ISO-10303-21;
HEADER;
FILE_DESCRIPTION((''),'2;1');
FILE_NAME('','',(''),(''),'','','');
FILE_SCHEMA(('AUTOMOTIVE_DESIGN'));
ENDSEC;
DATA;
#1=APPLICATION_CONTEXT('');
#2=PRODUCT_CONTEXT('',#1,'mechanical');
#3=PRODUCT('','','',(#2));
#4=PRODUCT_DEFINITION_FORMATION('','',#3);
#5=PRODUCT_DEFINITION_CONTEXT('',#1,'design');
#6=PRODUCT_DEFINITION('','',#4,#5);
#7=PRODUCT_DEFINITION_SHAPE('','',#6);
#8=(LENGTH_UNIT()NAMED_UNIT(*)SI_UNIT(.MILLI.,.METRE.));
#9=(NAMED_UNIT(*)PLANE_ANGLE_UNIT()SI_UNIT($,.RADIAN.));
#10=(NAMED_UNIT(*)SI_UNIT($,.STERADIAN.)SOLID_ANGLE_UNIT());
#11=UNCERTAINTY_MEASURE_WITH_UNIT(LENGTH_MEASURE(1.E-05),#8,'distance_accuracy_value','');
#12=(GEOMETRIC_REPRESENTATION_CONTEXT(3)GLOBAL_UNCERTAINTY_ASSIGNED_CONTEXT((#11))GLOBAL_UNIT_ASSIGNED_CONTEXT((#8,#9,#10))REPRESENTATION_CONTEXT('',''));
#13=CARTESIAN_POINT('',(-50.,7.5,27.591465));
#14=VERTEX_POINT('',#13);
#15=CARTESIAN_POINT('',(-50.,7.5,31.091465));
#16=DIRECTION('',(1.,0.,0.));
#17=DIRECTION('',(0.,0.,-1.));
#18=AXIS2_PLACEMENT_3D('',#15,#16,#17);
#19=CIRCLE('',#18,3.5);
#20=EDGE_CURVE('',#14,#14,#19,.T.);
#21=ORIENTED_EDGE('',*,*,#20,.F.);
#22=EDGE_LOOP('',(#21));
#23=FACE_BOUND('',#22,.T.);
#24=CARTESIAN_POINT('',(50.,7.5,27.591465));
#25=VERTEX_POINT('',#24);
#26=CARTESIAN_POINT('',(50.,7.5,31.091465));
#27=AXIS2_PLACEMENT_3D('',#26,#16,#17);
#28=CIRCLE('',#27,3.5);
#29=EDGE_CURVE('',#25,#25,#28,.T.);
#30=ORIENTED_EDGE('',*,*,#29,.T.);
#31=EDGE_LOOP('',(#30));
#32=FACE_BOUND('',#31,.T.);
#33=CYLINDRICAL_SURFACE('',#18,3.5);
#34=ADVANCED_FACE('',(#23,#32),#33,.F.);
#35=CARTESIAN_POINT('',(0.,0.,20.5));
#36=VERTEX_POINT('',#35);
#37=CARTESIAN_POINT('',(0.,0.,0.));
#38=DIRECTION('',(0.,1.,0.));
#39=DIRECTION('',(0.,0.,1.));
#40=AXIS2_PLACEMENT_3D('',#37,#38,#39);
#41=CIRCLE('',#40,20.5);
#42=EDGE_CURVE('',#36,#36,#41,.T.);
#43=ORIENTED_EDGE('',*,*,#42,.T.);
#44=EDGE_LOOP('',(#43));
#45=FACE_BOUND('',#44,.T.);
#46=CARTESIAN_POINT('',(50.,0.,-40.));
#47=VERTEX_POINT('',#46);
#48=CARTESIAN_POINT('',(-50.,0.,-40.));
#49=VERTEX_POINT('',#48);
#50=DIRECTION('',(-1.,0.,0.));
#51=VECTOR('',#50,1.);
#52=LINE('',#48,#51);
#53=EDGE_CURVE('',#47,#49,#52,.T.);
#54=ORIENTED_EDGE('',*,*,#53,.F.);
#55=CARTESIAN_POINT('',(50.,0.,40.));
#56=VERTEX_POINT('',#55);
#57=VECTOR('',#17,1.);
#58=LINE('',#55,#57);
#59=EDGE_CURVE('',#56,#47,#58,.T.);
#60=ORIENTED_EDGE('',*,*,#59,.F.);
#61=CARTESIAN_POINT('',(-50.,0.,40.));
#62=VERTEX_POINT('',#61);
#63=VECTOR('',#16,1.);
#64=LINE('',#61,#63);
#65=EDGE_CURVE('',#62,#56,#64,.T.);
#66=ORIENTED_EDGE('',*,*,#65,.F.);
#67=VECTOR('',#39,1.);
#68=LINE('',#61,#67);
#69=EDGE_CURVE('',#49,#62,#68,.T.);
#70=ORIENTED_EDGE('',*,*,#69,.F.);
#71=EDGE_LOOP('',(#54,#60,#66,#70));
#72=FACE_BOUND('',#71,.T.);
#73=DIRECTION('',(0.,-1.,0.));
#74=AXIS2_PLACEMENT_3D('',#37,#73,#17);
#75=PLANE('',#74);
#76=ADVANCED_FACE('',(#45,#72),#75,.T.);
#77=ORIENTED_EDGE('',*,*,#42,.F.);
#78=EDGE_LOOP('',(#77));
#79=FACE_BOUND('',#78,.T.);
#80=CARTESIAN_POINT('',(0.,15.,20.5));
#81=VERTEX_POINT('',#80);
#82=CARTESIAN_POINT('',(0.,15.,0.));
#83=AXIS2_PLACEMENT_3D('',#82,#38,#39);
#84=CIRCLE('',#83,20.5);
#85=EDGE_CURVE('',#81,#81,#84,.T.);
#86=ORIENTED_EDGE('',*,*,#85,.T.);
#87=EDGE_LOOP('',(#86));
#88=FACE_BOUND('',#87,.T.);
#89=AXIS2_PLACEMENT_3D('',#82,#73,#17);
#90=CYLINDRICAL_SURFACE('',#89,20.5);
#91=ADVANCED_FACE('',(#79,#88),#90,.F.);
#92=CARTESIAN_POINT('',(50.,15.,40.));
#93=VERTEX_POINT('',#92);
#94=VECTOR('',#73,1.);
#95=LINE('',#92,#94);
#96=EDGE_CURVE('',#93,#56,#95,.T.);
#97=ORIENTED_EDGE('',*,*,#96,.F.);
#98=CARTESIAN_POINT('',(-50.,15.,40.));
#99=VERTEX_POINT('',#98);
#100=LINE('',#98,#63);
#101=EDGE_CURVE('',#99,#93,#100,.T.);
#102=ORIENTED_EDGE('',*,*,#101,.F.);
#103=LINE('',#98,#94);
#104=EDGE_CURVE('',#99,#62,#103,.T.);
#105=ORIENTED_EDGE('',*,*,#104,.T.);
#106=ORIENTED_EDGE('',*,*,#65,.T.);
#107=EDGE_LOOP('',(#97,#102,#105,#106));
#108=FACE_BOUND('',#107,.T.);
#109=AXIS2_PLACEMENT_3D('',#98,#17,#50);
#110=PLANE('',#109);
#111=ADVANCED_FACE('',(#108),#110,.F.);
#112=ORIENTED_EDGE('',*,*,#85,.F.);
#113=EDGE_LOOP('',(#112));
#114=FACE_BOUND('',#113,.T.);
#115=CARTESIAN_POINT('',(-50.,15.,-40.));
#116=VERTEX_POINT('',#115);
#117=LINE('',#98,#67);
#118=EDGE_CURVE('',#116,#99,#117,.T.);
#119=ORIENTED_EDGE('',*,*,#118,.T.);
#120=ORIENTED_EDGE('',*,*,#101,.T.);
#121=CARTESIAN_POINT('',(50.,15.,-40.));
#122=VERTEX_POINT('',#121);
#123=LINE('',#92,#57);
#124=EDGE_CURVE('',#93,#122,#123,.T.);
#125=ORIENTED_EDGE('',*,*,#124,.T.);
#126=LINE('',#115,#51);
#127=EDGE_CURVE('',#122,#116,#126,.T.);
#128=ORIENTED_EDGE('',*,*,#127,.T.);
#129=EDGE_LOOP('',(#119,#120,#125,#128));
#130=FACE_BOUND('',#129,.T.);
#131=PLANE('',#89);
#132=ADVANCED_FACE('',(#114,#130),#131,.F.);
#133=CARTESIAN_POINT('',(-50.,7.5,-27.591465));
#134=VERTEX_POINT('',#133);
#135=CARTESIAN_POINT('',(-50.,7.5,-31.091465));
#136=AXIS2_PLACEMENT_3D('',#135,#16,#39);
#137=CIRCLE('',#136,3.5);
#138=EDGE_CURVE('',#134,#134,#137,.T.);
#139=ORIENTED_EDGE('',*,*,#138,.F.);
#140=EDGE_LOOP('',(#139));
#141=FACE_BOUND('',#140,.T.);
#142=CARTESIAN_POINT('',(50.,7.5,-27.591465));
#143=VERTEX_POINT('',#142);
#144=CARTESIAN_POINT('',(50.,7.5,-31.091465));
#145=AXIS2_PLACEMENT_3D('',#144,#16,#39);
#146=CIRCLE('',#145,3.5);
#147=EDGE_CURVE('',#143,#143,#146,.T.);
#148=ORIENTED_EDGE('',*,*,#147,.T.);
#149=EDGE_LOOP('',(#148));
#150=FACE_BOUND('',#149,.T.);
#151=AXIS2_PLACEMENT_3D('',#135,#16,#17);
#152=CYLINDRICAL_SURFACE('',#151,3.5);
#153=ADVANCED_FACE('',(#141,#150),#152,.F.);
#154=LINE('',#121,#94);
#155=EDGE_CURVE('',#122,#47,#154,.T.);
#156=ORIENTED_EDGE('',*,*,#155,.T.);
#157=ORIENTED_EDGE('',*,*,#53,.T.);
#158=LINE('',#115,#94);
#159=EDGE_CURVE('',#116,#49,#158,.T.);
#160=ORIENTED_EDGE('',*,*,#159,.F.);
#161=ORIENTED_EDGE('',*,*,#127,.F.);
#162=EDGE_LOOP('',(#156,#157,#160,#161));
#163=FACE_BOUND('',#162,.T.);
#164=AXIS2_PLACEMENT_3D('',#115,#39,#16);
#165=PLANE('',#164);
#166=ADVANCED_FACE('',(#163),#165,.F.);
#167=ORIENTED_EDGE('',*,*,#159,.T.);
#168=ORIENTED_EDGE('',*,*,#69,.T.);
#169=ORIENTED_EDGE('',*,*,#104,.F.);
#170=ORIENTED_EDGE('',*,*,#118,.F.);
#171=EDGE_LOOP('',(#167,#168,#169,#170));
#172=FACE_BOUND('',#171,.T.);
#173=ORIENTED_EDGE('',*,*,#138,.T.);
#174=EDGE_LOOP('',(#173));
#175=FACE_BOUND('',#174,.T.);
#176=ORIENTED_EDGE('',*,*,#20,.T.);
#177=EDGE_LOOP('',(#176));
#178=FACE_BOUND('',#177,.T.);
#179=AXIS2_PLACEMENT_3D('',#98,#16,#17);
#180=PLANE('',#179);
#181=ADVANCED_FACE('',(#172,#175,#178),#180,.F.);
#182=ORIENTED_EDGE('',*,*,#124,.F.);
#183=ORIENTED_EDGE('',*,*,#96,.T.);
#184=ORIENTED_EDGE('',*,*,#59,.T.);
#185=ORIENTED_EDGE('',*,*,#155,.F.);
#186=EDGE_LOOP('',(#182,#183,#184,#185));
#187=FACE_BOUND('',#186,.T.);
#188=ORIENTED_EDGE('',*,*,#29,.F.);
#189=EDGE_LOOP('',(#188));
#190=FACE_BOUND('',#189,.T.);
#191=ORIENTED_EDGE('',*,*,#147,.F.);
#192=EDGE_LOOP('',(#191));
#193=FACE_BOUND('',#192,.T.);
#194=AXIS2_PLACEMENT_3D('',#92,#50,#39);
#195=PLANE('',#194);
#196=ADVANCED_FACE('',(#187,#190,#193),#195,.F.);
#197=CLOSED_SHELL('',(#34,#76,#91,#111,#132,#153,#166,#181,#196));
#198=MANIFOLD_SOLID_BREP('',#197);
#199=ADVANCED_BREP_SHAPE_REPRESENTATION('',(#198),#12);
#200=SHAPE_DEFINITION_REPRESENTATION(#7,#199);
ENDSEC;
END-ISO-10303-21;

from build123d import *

# Parameters (mm, degrees)
SKETCH1_W           = 100
SKETCH1_H           = 80
SKETCH1_R           = 20.5
BOSS_EXTRUDE1_DEPTH = 15
SKETCH2_R           = 3.5
CUT_EXTRUDE1_DEPTH  = 100


with BuildPart() as part:
    # Sketch1 → Boss-Extrude1 (new body)
    with BuildSketch(Plane(origin=(0, 0, 0), x_dir=(1, 0, 0), z_dir=(0, 1, 0))):
        Rectangle(SKETCH1_W, SKETCH1_H)
        with Locations(Location((0, 0, 0), (0, 0, 270))):
            Circle(SKETCH1_R, mode=Mode.SUBTRACT)
    extrude(amount=BOSS_EXTRUDE1_DEPTH)

    # Sketch2 → Cut-Extrude1 (cut)
    with BuildSketch(Plane(origin=(50, 0, 0), x_dir=(0, 0, -1), z_dir=(1, 0, 0))):
        with Locations((-31.091464528, 7.5)):
            Circle(SKETCH2_R)
        with Locations(Location((31.091464528, 7.5, 0), (0, 0, 180))):
            Circle(SKETCH2_R)
    extrude(amount=-CUT_EXTRUDE1_DEPTH, mode=Mode.SUBTRACT)


solid = part.part
